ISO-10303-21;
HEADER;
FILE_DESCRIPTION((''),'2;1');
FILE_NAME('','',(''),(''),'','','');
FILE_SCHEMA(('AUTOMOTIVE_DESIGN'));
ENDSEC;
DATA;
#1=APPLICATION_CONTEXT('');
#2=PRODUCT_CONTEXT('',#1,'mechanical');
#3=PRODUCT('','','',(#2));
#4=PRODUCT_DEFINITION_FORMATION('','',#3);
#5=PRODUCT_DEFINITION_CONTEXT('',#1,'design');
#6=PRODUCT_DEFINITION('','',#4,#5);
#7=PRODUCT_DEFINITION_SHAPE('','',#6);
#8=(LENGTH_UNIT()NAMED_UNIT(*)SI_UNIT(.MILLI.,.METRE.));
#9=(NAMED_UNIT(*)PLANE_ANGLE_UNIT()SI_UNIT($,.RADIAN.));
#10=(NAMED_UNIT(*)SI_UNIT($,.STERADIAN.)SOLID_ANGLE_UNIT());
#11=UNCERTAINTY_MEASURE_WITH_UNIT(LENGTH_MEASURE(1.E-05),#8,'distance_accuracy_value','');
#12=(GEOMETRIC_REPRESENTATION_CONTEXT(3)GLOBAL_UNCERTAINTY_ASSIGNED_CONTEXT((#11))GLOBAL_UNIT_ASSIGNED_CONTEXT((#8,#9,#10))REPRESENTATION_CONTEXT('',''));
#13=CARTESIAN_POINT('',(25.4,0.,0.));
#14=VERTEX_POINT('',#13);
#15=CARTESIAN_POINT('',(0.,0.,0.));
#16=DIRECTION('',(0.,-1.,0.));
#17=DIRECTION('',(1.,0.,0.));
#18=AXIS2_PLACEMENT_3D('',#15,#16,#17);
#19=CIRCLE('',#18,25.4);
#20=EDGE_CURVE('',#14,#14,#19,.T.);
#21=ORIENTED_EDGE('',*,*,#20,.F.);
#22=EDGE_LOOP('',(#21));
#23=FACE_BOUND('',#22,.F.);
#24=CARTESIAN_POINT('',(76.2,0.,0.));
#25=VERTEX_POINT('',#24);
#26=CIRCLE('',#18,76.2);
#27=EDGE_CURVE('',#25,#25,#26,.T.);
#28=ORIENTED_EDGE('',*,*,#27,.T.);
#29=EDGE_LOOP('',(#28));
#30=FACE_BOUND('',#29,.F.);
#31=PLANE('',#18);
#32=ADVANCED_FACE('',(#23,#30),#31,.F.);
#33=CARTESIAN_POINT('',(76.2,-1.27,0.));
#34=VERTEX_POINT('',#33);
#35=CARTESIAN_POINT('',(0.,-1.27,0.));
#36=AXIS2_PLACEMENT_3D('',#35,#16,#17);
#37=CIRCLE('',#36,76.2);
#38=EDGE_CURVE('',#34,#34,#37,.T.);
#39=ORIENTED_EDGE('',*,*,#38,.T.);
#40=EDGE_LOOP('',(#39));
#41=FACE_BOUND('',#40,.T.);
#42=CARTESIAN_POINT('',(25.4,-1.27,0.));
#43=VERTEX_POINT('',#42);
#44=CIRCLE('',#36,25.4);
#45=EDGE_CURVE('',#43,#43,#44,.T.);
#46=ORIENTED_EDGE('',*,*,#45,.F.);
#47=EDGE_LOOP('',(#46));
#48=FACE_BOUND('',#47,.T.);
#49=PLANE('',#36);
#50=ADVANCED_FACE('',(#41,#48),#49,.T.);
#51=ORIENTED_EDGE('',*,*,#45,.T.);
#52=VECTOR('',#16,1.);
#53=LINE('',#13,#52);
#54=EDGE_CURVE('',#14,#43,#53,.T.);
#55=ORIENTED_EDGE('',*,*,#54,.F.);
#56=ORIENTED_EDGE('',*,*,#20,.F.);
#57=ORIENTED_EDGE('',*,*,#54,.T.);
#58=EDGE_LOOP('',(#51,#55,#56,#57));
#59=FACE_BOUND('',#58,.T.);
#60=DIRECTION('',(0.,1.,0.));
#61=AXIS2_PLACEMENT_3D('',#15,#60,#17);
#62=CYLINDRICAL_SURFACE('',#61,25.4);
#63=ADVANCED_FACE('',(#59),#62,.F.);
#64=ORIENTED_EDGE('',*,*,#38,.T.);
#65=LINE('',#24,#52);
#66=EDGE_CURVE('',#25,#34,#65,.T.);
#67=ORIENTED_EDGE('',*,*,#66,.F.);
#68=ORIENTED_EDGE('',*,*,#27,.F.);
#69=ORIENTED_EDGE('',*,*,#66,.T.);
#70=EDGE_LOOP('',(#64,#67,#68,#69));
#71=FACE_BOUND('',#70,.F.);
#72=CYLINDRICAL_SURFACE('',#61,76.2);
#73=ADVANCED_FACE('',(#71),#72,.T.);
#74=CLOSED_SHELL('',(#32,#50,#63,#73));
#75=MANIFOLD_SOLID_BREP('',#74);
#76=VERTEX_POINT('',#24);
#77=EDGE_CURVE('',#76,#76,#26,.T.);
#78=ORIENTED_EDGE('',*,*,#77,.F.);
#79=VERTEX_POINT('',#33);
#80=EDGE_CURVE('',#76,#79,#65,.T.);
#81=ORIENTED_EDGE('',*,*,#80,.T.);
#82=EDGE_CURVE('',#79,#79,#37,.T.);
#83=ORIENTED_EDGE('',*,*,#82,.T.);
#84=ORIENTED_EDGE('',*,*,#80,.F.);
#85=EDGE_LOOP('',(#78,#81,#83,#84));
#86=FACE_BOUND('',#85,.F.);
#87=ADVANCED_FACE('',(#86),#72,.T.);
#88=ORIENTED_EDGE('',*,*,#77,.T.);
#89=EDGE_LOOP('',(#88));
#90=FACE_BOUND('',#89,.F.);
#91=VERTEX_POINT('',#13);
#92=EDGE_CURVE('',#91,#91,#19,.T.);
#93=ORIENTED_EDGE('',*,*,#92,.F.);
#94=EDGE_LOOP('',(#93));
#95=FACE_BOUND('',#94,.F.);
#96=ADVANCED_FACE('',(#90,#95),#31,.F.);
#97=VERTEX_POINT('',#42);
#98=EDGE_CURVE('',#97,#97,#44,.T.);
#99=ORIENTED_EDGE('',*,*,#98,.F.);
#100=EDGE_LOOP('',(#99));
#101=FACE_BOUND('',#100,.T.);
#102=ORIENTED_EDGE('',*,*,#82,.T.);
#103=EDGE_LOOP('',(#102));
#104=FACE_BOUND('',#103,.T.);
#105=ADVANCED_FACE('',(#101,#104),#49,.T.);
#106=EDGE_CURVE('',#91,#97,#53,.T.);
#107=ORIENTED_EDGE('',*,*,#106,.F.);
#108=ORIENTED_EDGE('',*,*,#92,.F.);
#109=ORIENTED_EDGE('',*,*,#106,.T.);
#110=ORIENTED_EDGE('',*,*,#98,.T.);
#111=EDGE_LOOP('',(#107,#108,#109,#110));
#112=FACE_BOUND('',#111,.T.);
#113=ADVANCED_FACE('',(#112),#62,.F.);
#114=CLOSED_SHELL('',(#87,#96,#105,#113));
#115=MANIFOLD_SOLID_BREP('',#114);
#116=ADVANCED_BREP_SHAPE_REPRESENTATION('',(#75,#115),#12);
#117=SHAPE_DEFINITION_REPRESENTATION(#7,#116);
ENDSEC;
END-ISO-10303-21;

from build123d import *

# Parameters (mm, degrees)
F0_R     = 76.2
F0_R_2   = 25.4
F1_DEPTH = 1.27
F2_DEPTH = 1.27


with BuildPart() as f1:
    # F0 (on Front) → F1 (new body)
    with BuildSketch(Plane.XZ):
        Circle(F0_R)
        Circle(F0_R_2, mode=Mode.SUBTRACT)
    extrude(amount=F1_DEPTH)


with BuildPart() as f2:
    # F0 (on Front) → F2 (new body)
    with BuildSketch(Plane.XZ):
        Circle(F0_R)
        Circle(F0_R_2, mode=Mode.SUBTRACT)
    extrude(amount=F2_DEPTH)


solid = Compound([f1.part, f2.part])
